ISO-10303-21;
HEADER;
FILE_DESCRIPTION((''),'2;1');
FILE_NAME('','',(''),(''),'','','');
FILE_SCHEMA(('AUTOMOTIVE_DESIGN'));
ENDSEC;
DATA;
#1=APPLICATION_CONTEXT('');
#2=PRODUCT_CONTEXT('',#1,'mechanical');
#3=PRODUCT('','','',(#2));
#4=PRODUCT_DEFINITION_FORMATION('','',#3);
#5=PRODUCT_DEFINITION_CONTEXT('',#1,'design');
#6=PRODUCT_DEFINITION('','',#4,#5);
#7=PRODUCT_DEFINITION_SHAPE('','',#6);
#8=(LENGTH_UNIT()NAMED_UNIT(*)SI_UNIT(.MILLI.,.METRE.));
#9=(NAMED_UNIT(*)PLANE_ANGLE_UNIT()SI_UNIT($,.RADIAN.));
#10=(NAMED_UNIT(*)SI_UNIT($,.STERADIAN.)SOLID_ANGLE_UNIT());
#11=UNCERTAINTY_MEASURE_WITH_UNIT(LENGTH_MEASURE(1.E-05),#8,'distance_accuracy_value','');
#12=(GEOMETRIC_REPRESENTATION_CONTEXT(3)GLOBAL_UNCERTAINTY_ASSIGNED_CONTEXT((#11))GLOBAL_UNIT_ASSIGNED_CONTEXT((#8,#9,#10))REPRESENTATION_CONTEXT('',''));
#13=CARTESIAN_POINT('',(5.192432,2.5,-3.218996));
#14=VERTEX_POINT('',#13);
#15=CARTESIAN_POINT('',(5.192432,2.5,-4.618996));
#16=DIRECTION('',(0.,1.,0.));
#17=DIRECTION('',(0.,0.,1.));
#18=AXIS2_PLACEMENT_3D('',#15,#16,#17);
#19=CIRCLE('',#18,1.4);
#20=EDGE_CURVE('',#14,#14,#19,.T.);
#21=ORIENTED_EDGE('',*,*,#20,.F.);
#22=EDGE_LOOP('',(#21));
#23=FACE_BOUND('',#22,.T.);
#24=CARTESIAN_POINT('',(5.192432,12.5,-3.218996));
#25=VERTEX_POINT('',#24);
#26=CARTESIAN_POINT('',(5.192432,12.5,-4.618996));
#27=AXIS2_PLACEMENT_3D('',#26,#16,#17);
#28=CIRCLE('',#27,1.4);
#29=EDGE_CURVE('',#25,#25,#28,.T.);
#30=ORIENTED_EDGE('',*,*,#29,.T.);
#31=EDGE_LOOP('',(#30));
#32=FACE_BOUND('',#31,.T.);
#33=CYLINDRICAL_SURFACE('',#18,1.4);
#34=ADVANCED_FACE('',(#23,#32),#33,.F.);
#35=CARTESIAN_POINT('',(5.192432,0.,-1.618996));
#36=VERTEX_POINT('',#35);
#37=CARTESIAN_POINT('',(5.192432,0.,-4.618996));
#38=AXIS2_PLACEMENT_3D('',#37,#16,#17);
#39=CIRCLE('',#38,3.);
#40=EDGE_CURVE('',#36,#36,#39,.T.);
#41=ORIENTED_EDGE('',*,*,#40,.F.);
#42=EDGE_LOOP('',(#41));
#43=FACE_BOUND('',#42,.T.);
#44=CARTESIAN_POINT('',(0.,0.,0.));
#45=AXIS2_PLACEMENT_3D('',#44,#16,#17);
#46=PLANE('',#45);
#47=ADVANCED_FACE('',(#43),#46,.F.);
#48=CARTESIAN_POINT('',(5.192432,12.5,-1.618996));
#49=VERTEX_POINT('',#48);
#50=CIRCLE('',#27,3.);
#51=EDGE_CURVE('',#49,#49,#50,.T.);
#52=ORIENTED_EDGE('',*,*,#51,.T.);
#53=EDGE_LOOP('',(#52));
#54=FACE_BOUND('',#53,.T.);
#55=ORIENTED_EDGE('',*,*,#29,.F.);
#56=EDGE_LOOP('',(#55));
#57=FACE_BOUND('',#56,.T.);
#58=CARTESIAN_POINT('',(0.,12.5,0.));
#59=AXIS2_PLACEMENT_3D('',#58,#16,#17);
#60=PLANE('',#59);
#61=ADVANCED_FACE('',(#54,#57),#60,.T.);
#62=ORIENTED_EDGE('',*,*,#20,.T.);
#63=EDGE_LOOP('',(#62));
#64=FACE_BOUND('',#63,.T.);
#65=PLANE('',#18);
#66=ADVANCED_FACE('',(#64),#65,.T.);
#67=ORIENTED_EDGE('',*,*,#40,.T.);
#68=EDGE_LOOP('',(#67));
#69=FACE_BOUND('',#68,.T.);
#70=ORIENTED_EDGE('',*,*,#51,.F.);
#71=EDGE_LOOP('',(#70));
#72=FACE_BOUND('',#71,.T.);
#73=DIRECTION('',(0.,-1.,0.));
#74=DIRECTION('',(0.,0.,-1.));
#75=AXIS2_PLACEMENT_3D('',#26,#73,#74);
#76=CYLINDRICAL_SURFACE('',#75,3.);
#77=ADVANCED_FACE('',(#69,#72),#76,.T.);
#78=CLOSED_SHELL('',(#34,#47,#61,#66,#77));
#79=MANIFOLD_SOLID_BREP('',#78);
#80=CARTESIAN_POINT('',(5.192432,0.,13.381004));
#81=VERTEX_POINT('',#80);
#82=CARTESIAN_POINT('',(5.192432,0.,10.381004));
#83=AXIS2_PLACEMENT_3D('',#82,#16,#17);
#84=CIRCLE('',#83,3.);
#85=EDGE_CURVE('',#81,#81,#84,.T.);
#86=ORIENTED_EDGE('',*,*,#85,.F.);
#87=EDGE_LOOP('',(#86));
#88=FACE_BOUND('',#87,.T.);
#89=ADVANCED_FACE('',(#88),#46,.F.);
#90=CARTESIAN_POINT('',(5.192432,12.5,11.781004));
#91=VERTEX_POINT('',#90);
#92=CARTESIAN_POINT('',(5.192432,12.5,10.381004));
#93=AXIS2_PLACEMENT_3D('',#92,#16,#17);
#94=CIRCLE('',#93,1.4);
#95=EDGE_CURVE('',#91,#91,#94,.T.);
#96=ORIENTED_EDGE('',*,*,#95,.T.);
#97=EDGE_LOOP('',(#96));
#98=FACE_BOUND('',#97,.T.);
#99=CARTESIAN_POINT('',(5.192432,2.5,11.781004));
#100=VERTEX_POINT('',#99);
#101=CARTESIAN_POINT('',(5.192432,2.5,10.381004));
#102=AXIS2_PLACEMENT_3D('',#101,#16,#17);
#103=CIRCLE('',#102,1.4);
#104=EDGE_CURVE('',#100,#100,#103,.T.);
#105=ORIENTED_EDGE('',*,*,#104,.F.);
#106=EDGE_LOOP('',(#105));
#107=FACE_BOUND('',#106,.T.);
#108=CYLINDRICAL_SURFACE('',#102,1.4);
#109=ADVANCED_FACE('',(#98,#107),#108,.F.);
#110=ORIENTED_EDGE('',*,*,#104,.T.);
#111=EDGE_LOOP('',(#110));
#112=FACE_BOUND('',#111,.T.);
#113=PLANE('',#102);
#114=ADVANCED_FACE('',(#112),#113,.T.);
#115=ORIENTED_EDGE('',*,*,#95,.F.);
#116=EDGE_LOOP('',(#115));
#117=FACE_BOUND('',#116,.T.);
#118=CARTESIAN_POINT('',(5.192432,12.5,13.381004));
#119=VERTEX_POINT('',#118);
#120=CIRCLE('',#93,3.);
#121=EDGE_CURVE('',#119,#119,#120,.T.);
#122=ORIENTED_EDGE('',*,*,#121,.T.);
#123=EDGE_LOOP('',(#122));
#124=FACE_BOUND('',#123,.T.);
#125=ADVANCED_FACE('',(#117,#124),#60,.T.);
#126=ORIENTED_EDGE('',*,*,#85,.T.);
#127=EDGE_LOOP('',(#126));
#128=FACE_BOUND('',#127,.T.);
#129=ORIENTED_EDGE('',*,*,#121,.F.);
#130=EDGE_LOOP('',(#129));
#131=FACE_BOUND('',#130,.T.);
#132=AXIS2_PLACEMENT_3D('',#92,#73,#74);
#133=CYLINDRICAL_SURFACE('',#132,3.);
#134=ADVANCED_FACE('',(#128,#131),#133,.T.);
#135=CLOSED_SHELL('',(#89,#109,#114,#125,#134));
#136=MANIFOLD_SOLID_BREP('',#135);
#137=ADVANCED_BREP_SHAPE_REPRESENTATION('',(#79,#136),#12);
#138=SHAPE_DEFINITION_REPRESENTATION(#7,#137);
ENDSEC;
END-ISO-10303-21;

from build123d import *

# Parameters (mm, degrees)
SKETCH1_R             = 3
BOSS_EXTRUDE1_DEPTH   = 12.5
BOSS_EXTRUDE1_2_DEPTH = 12.5
SKETCH2_R             = 1.4
CUT_EXTRUDE1_DEPTH    = 10


with BuildPart() as part:
    # Sketch1 → Boss-Extrude1 (new body)
    with BuildSketch(Plane(origin=(0, 0, 0), x_dir=(1, 0, 0), z_dir=(0, 1, 0))):
        with Locations(Location((5.192431817, 4.618996496, 0), (0, 0, 270))):
            Circle(SKETCH1_R)
    extrude(amount=BOSS_EXTRUDE1_DEPTH)


with BuildPart() as body_2:
    # Sketch1 → Boss-Extrude1 2 (new body)
    with BuildSketch(Plane(origin=(0, 0, 0), x_dir=(1, 0, 0), z_dir=(0, 1, 0))):
        with Locations(Location((5.192431817, -10.381003504, 0), (0, 0, 270))):
            Circle(SKETCH1_R)
    extrude(amount=BOSS_EXTRUDE1_2_DEPTH)


with BuildPart() as cut_extrude1_tool:
    # Sketch2 → Cut-Extrude1 (new body)
    with BuildSketch(Plane(origin=(0, 12.5, 0), x_dir=(1, 0, 0), z_dir=(0, 1, 0))):
        with Locations(Location((5.192431817, 4.618996496, 0), (0, 0, 270))):
            Circle(SKETCH2_R)
        with Locations(Location((5.192431817, -10.381003504, 0), (0, 0, 270))):
            Circle(SKETCH2_R)
    extrude(amount=-CUT_EXTRUDE1_DEPTH)


with BuildPart() as part_1:
    add(part.part)

    # Cut-Extrude1: cut by cut_extrude1_tool
    add(cut_extrude1_tool.part, mode=Mode.SUBTRACT)


with BuildPart() as body_2_1:
    add(body_2.part)

    # Cut-Extrude1: cut by cut_extrude1_tool
    add(cut_extrude1_tool.part, mode=Mode.SUBTRACT)


solid = Compound([part_1.part, body_2_1.part])
